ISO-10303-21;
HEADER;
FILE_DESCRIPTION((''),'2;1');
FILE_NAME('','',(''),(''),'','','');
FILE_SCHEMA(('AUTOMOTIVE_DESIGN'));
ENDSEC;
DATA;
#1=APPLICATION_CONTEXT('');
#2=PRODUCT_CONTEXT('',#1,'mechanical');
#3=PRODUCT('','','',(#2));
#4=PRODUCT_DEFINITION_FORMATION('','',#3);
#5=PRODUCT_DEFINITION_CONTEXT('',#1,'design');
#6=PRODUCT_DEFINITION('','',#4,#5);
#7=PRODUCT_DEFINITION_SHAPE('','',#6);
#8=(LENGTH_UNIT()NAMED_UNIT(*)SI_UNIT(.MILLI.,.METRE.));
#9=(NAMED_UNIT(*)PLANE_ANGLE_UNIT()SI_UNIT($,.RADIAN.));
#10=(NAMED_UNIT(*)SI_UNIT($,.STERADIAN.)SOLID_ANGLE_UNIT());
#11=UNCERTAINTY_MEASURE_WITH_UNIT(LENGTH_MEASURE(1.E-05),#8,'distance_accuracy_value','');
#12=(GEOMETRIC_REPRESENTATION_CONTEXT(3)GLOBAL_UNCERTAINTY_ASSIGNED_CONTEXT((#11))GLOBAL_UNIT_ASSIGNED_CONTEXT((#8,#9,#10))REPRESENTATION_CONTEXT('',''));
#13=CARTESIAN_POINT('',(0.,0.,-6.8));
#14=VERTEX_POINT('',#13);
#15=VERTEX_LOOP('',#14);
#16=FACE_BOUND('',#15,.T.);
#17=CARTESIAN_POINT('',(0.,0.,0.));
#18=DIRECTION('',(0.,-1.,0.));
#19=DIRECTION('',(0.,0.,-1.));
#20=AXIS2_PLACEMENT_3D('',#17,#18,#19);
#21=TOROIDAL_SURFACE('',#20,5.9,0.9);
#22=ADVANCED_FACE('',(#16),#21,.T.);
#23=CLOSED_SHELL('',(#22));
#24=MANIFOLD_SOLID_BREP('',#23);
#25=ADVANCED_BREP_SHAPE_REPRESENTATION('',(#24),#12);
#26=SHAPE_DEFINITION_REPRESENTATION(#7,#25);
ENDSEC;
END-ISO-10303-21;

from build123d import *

# Parameters (mm, degrees)
SKETCH2_R = 0.9


with BuildPart() as part:
    # Sweep1: sweep along a path in Sketch1
    with BuildLine(Plane(origin=(0, 0, 0), x_dir=(1, 0, 0), z_dir=(0, 1, 0))) as sweep1_path:
        CenterArc((0, 0), 5, 0, 360)
    # Sketch2 → Sweep1 (sweep)
    with BuildSketch(Plane.XY):
        with Locations((-5.9, 0)):
            Circle(SKETCH2_R)
    sweep(path=sweep1_path.line)


solid = part.part
